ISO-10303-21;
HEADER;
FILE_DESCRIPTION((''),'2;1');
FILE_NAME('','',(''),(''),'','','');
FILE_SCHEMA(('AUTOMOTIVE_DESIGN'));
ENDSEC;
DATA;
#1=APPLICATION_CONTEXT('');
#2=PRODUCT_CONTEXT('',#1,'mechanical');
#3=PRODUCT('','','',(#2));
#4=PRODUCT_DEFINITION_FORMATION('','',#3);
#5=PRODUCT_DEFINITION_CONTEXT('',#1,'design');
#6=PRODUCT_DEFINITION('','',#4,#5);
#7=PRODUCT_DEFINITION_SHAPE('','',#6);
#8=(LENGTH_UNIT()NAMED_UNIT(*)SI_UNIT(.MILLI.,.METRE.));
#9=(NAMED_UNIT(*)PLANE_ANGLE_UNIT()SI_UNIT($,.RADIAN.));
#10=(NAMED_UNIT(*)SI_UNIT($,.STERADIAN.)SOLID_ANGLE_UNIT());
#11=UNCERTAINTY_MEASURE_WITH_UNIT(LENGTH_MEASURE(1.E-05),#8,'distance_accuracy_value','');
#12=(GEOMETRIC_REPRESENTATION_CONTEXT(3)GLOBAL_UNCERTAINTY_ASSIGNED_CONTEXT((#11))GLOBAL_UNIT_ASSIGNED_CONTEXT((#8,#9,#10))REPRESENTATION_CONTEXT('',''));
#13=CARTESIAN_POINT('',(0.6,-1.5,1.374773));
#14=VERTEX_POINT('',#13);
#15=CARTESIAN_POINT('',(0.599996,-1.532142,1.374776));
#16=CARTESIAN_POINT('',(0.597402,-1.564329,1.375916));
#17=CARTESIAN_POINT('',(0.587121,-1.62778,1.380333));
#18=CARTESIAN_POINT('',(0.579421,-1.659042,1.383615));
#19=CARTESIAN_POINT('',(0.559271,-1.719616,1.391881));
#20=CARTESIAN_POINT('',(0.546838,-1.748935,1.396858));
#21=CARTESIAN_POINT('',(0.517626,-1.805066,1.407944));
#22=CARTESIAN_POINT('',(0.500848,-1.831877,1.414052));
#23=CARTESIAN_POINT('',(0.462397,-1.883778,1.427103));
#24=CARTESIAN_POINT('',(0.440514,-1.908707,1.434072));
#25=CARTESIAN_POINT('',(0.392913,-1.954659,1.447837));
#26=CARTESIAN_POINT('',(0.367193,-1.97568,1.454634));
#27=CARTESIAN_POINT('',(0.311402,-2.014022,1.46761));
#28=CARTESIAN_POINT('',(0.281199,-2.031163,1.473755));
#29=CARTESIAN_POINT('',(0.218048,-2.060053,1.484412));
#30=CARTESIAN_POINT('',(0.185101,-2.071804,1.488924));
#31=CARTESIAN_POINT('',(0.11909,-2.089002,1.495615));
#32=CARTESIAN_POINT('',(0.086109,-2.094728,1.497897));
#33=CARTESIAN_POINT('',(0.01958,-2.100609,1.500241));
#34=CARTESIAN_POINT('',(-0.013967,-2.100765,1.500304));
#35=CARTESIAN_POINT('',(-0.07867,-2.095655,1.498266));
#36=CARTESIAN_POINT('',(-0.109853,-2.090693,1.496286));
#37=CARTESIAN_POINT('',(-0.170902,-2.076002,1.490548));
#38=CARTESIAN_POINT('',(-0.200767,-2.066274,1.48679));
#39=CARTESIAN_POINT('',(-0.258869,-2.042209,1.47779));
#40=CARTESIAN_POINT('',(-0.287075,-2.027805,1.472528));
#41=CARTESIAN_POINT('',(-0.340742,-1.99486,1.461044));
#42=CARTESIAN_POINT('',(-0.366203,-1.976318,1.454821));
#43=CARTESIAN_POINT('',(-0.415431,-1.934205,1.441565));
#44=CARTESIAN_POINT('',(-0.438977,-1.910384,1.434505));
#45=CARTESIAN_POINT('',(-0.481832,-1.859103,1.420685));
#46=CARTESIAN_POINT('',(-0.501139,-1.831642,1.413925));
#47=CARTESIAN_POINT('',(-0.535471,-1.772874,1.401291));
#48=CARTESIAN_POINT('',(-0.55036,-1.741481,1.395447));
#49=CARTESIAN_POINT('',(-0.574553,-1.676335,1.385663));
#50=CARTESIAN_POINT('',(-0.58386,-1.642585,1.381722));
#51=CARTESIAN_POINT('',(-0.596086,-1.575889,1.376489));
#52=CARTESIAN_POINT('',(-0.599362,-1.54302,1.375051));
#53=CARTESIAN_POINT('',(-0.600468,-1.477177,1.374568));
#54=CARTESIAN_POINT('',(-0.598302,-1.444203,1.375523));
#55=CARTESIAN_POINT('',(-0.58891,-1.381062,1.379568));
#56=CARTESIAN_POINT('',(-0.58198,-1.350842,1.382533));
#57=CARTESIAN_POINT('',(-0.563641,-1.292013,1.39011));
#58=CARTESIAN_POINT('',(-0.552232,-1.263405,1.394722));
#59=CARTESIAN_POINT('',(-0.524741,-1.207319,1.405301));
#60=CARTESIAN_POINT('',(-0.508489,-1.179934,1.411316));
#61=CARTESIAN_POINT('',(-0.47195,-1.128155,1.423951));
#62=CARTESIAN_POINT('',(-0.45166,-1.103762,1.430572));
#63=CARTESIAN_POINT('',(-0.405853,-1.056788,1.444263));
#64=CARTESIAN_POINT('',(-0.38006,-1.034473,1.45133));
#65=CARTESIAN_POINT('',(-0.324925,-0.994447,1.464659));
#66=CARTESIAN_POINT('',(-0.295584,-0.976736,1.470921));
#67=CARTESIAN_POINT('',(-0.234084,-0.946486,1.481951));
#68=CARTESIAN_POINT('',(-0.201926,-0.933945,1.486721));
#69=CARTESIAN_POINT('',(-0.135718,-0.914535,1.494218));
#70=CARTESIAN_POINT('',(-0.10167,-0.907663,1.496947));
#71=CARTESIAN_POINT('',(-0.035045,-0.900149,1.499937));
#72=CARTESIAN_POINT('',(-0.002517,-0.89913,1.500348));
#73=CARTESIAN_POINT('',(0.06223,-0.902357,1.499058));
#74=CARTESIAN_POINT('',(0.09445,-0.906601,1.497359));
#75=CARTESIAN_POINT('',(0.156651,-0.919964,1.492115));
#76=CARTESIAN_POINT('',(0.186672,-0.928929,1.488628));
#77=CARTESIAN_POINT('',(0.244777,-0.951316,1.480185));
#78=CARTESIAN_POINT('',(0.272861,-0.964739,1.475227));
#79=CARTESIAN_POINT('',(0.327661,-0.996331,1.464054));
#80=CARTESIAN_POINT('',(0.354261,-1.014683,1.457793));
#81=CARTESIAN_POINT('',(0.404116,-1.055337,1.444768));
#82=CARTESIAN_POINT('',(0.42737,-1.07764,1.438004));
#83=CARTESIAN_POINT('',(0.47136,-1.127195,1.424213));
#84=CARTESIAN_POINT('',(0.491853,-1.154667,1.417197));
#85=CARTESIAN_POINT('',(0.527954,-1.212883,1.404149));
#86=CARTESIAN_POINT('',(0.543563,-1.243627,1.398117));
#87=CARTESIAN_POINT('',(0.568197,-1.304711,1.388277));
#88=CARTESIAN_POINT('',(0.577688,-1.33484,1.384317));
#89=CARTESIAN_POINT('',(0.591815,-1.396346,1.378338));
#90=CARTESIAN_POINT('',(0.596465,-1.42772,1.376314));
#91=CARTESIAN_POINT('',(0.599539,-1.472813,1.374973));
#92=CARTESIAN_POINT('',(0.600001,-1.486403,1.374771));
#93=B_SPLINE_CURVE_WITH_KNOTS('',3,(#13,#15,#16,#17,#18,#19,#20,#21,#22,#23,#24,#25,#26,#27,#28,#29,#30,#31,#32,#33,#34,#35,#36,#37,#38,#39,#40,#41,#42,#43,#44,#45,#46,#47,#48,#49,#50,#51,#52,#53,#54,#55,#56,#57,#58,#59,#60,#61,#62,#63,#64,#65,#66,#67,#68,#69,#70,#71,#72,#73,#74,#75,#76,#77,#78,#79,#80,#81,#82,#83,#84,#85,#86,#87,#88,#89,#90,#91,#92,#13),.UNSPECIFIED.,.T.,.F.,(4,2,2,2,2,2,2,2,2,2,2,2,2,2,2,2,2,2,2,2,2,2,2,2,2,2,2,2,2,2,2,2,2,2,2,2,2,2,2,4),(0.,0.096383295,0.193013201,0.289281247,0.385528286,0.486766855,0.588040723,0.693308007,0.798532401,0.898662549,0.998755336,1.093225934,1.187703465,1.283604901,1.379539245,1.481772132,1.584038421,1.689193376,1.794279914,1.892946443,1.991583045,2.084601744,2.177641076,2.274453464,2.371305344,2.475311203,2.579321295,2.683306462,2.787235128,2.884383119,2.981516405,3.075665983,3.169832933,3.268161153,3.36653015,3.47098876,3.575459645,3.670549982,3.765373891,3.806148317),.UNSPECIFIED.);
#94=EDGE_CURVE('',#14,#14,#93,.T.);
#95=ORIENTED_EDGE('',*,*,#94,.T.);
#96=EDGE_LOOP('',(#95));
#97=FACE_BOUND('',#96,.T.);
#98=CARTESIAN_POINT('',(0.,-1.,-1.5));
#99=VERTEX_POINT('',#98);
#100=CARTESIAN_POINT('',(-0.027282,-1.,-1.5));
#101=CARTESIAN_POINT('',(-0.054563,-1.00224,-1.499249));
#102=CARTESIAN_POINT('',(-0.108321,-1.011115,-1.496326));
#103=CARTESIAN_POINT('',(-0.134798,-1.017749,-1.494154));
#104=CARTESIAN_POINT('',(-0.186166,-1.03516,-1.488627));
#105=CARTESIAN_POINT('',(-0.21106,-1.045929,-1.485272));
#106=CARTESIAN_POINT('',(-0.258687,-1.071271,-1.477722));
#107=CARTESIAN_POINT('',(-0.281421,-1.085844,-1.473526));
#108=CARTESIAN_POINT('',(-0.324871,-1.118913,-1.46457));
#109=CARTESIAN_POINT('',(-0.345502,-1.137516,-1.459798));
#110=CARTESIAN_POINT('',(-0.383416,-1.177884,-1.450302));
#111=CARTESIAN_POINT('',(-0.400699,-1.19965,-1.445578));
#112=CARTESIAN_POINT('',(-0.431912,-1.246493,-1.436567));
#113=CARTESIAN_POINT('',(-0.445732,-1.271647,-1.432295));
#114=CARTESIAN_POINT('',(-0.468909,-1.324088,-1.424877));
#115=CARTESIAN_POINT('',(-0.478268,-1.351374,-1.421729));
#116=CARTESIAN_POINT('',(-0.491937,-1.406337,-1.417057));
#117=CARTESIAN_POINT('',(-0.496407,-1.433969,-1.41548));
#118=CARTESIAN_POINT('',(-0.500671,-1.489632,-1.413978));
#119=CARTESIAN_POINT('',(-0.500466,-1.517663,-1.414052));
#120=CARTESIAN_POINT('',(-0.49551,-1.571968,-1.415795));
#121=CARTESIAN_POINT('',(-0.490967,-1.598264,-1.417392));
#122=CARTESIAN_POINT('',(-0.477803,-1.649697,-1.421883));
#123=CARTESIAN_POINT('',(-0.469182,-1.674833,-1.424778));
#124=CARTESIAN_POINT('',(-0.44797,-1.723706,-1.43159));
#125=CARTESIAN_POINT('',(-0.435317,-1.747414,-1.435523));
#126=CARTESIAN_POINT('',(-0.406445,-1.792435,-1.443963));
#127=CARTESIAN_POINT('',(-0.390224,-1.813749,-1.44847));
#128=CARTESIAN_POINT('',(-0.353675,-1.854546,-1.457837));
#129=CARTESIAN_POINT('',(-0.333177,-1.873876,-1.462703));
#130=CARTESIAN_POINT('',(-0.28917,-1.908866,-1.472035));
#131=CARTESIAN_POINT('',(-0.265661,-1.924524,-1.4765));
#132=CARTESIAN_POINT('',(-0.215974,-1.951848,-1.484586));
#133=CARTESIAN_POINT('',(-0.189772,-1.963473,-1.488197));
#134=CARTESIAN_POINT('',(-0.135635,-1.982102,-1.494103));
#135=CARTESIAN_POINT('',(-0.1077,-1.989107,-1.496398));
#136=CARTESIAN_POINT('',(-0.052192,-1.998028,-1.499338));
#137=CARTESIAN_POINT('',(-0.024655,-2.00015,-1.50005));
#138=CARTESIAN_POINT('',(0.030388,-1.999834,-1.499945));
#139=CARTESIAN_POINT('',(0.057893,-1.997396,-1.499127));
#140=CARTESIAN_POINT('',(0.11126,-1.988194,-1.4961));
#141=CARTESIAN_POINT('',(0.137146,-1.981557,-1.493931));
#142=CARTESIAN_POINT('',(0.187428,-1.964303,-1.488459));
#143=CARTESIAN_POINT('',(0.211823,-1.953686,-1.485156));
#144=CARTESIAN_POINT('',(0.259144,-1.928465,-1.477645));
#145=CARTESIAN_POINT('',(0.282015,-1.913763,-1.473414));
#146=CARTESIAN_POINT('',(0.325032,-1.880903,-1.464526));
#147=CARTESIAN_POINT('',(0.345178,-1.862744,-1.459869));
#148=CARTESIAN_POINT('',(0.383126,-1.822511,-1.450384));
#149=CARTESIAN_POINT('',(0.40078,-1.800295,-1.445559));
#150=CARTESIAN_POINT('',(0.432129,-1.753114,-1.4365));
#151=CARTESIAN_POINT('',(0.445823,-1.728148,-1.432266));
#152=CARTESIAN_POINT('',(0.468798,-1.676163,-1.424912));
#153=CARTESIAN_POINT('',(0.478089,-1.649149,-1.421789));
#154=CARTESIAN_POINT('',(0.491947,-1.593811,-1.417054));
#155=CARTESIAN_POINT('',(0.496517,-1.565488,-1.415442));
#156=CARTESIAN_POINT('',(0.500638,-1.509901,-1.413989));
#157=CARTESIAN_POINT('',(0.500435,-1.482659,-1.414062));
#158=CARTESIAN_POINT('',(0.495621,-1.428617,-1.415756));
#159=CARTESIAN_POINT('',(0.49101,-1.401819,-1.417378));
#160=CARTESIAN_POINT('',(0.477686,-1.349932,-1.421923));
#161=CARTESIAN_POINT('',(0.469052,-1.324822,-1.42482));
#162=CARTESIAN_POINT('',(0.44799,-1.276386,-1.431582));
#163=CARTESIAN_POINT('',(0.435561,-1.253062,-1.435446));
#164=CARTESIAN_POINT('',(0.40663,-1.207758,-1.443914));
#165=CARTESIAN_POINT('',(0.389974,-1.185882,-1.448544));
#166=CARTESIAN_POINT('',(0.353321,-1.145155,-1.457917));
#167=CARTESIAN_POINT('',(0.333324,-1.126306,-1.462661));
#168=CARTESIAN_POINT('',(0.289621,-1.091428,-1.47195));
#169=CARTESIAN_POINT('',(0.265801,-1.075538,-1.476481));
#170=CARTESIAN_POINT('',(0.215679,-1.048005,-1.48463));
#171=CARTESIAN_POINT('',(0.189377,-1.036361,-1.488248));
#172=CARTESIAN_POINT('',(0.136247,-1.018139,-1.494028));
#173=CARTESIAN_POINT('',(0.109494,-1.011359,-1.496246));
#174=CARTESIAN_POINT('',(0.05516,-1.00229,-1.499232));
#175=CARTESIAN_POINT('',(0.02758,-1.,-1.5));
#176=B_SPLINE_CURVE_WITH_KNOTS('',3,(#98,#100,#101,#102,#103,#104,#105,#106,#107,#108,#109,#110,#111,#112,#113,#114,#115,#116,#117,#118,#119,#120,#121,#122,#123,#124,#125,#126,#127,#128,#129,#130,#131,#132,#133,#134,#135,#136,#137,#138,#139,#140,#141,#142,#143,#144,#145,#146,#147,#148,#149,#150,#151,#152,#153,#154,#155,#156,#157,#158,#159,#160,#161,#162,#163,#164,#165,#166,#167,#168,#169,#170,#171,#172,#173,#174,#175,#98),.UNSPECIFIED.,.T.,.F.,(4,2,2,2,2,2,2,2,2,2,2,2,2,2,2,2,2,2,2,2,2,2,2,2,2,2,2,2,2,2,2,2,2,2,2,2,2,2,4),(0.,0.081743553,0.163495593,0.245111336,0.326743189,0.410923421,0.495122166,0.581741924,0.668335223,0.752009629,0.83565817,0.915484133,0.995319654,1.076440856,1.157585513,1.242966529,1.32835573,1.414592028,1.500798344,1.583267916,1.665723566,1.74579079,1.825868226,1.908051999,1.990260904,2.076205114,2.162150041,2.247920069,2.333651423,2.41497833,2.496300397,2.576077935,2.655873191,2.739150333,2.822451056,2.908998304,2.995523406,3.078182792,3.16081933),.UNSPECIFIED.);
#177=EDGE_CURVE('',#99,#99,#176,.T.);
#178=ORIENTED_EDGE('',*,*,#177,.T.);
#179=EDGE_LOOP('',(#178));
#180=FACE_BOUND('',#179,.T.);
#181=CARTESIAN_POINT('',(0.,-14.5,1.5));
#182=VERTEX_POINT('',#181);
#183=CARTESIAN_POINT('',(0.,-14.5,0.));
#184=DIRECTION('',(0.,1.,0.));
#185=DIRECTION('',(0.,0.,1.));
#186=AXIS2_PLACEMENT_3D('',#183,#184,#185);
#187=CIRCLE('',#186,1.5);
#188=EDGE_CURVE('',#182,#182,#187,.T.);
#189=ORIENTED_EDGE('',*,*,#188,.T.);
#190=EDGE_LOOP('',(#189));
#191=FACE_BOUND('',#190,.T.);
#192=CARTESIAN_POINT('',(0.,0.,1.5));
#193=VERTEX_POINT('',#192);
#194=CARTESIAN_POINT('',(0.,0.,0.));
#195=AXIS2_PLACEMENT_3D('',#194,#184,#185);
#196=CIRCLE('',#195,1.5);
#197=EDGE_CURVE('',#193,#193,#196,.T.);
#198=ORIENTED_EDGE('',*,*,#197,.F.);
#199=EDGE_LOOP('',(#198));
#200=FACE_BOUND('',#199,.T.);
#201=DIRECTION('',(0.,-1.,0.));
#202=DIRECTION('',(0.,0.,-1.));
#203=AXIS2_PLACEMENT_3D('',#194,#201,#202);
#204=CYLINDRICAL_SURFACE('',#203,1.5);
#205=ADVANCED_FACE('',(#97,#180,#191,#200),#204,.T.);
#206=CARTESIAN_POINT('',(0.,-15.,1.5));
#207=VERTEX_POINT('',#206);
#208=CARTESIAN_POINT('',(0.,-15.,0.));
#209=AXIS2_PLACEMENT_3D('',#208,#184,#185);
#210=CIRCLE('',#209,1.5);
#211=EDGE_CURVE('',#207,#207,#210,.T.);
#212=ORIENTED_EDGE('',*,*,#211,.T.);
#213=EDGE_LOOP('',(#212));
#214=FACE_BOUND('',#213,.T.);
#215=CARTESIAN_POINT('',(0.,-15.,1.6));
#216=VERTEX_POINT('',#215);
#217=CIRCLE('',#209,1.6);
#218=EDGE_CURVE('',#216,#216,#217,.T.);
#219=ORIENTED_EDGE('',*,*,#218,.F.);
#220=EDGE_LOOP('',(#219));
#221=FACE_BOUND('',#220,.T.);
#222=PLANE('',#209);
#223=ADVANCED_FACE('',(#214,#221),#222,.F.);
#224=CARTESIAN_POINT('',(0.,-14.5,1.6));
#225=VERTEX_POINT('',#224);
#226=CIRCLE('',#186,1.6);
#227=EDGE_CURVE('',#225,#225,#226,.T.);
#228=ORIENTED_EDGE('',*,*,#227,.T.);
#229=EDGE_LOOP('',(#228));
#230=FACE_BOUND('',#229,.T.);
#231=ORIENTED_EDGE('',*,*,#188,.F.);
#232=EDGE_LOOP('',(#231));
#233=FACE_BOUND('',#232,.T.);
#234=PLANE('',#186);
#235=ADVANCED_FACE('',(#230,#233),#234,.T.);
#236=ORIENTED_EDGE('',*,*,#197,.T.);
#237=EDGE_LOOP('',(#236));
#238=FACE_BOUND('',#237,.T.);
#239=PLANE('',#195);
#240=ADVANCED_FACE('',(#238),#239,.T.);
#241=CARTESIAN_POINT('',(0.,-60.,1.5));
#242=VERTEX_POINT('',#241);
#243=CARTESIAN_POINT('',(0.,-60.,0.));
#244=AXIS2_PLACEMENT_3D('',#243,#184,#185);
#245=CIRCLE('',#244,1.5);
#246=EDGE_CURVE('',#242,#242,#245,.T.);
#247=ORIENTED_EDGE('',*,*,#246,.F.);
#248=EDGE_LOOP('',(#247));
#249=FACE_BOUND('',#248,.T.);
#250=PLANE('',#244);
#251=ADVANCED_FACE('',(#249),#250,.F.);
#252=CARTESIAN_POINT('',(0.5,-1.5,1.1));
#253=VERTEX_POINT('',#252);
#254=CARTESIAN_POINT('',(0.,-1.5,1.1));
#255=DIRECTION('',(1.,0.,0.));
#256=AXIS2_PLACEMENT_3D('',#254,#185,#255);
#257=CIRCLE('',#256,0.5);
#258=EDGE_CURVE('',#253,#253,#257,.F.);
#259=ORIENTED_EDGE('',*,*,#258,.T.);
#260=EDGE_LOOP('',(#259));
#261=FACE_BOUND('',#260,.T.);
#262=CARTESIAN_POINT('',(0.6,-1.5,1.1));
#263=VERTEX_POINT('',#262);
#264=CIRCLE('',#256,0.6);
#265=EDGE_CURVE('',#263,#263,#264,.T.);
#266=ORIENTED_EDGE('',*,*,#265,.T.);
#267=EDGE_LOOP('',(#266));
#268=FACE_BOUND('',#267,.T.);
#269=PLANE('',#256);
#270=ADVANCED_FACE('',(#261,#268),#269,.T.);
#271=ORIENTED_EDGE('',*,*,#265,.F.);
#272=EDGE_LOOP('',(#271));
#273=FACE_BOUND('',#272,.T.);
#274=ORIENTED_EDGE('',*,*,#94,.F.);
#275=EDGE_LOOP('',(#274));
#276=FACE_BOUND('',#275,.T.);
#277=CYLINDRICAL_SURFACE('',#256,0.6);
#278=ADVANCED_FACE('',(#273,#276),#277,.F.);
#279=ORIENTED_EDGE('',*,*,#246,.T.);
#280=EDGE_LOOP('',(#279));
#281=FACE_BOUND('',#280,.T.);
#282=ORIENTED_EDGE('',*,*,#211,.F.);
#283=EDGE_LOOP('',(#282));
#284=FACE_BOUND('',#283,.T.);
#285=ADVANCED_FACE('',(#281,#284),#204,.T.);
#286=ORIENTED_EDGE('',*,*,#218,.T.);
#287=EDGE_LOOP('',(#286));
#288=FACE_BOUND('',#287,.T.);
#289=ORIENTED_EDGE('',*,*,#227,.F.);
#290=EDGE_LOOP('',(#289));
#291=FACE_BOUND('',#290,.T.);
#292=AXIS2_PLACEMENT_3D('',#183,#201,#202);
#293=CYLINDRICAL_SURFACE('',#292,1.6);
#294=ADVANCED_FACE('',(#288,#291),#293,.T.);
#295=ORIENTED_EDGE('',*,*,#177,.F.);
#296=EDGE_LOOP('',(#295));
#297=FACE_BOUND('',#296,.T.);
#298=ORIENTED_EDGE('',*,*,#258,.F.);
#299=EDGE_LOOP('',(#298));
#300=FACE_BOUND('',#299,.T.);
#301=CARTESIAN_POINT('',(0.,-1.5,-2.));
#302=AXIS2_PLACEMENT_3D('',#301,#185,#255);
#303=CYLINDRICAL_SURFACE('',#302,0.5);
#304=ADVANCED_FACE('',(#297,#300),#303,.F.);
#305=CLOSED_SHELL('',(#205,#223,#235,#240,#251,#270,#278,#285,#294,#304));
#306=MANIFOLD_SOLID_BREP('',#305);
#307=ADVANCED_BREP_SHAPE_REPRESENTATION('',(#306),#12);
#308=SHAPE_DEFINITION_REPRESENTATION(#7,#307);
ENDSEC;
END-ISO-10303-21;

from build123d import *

# Parameters (mm, degrees)
SKETCH2_R           = 1.5
SKETCH4_R           = 0.5
CUT_EXTRUDE1_DEPTH  = 2
CUT_EXTRUDE2_START  = 1.6
SKETCH6_R           = 0.6
CUT_EXTRUDE2_DEPTH  = 0.5
BOSS_EXTRUDE1_START = -15
SKETCH7_R           = 1.6
BOSS_EXTRUDE1_DEPTH = 0.5


with BuildPart() as part:
    # Sweep1: sweep along a path in Sketch3
    with BuildLine(Plane(origin=(0, 0, 0), x_dir=(0, 0, -1), z_dir=(1, 0, 0))) as sweep1_path:
        Line((0, 0), (0, -60))
    # Sketch2 → Sweep1 (sweep)
    with BuildSketch(Plane(origin=(0, 0, 0), x_dir=(1, 0, 0), z_dir=(0, 1, 0))):
        Circle(SKETCH2_R)
    sweep(path=sweep1_path.line)

    # Sketch4 → Cut-Extrude1 (cut, symmetric)
    with BuildSketch(Plane.XY):
        with Locations(Location((0, -1.5, 0), (0, 0, 89.999999987))):
            Circle(SKETCH4_R)
    extrude(amount=CUT_EXTRUDE1_DEPTH, both=True, mode=Mode.SUBTRACT)

    # Sketch6 → Cut-Extrude2 (cut)
    with BuildSketch(Plane.XY.offset(CUT_EXTRUDE2_START)):
        with Locations((0, -1.5)):
            Circle(SKETCH6_R)
    extrude(amount=-CUT_EXTRUDE2_DEPTH, mode=Mode.SUBTRACT)

    # Sketch7 → Boss-Extrude1 (add)
    with BuildSketch(Plane(origin=(0, 0, 0), x_dir=(1, 0, 0), z_dir=(0, 1, 0)).offset(BOSS_EXTRUDE1_START)):
        with Locations(Location((0, 0, 0), (0, 0, 270))):
            Circle(SKETCH7_R)
    extrude(amount=BOSS_EXTRUDE1_DEPTH)


solid = part.part
